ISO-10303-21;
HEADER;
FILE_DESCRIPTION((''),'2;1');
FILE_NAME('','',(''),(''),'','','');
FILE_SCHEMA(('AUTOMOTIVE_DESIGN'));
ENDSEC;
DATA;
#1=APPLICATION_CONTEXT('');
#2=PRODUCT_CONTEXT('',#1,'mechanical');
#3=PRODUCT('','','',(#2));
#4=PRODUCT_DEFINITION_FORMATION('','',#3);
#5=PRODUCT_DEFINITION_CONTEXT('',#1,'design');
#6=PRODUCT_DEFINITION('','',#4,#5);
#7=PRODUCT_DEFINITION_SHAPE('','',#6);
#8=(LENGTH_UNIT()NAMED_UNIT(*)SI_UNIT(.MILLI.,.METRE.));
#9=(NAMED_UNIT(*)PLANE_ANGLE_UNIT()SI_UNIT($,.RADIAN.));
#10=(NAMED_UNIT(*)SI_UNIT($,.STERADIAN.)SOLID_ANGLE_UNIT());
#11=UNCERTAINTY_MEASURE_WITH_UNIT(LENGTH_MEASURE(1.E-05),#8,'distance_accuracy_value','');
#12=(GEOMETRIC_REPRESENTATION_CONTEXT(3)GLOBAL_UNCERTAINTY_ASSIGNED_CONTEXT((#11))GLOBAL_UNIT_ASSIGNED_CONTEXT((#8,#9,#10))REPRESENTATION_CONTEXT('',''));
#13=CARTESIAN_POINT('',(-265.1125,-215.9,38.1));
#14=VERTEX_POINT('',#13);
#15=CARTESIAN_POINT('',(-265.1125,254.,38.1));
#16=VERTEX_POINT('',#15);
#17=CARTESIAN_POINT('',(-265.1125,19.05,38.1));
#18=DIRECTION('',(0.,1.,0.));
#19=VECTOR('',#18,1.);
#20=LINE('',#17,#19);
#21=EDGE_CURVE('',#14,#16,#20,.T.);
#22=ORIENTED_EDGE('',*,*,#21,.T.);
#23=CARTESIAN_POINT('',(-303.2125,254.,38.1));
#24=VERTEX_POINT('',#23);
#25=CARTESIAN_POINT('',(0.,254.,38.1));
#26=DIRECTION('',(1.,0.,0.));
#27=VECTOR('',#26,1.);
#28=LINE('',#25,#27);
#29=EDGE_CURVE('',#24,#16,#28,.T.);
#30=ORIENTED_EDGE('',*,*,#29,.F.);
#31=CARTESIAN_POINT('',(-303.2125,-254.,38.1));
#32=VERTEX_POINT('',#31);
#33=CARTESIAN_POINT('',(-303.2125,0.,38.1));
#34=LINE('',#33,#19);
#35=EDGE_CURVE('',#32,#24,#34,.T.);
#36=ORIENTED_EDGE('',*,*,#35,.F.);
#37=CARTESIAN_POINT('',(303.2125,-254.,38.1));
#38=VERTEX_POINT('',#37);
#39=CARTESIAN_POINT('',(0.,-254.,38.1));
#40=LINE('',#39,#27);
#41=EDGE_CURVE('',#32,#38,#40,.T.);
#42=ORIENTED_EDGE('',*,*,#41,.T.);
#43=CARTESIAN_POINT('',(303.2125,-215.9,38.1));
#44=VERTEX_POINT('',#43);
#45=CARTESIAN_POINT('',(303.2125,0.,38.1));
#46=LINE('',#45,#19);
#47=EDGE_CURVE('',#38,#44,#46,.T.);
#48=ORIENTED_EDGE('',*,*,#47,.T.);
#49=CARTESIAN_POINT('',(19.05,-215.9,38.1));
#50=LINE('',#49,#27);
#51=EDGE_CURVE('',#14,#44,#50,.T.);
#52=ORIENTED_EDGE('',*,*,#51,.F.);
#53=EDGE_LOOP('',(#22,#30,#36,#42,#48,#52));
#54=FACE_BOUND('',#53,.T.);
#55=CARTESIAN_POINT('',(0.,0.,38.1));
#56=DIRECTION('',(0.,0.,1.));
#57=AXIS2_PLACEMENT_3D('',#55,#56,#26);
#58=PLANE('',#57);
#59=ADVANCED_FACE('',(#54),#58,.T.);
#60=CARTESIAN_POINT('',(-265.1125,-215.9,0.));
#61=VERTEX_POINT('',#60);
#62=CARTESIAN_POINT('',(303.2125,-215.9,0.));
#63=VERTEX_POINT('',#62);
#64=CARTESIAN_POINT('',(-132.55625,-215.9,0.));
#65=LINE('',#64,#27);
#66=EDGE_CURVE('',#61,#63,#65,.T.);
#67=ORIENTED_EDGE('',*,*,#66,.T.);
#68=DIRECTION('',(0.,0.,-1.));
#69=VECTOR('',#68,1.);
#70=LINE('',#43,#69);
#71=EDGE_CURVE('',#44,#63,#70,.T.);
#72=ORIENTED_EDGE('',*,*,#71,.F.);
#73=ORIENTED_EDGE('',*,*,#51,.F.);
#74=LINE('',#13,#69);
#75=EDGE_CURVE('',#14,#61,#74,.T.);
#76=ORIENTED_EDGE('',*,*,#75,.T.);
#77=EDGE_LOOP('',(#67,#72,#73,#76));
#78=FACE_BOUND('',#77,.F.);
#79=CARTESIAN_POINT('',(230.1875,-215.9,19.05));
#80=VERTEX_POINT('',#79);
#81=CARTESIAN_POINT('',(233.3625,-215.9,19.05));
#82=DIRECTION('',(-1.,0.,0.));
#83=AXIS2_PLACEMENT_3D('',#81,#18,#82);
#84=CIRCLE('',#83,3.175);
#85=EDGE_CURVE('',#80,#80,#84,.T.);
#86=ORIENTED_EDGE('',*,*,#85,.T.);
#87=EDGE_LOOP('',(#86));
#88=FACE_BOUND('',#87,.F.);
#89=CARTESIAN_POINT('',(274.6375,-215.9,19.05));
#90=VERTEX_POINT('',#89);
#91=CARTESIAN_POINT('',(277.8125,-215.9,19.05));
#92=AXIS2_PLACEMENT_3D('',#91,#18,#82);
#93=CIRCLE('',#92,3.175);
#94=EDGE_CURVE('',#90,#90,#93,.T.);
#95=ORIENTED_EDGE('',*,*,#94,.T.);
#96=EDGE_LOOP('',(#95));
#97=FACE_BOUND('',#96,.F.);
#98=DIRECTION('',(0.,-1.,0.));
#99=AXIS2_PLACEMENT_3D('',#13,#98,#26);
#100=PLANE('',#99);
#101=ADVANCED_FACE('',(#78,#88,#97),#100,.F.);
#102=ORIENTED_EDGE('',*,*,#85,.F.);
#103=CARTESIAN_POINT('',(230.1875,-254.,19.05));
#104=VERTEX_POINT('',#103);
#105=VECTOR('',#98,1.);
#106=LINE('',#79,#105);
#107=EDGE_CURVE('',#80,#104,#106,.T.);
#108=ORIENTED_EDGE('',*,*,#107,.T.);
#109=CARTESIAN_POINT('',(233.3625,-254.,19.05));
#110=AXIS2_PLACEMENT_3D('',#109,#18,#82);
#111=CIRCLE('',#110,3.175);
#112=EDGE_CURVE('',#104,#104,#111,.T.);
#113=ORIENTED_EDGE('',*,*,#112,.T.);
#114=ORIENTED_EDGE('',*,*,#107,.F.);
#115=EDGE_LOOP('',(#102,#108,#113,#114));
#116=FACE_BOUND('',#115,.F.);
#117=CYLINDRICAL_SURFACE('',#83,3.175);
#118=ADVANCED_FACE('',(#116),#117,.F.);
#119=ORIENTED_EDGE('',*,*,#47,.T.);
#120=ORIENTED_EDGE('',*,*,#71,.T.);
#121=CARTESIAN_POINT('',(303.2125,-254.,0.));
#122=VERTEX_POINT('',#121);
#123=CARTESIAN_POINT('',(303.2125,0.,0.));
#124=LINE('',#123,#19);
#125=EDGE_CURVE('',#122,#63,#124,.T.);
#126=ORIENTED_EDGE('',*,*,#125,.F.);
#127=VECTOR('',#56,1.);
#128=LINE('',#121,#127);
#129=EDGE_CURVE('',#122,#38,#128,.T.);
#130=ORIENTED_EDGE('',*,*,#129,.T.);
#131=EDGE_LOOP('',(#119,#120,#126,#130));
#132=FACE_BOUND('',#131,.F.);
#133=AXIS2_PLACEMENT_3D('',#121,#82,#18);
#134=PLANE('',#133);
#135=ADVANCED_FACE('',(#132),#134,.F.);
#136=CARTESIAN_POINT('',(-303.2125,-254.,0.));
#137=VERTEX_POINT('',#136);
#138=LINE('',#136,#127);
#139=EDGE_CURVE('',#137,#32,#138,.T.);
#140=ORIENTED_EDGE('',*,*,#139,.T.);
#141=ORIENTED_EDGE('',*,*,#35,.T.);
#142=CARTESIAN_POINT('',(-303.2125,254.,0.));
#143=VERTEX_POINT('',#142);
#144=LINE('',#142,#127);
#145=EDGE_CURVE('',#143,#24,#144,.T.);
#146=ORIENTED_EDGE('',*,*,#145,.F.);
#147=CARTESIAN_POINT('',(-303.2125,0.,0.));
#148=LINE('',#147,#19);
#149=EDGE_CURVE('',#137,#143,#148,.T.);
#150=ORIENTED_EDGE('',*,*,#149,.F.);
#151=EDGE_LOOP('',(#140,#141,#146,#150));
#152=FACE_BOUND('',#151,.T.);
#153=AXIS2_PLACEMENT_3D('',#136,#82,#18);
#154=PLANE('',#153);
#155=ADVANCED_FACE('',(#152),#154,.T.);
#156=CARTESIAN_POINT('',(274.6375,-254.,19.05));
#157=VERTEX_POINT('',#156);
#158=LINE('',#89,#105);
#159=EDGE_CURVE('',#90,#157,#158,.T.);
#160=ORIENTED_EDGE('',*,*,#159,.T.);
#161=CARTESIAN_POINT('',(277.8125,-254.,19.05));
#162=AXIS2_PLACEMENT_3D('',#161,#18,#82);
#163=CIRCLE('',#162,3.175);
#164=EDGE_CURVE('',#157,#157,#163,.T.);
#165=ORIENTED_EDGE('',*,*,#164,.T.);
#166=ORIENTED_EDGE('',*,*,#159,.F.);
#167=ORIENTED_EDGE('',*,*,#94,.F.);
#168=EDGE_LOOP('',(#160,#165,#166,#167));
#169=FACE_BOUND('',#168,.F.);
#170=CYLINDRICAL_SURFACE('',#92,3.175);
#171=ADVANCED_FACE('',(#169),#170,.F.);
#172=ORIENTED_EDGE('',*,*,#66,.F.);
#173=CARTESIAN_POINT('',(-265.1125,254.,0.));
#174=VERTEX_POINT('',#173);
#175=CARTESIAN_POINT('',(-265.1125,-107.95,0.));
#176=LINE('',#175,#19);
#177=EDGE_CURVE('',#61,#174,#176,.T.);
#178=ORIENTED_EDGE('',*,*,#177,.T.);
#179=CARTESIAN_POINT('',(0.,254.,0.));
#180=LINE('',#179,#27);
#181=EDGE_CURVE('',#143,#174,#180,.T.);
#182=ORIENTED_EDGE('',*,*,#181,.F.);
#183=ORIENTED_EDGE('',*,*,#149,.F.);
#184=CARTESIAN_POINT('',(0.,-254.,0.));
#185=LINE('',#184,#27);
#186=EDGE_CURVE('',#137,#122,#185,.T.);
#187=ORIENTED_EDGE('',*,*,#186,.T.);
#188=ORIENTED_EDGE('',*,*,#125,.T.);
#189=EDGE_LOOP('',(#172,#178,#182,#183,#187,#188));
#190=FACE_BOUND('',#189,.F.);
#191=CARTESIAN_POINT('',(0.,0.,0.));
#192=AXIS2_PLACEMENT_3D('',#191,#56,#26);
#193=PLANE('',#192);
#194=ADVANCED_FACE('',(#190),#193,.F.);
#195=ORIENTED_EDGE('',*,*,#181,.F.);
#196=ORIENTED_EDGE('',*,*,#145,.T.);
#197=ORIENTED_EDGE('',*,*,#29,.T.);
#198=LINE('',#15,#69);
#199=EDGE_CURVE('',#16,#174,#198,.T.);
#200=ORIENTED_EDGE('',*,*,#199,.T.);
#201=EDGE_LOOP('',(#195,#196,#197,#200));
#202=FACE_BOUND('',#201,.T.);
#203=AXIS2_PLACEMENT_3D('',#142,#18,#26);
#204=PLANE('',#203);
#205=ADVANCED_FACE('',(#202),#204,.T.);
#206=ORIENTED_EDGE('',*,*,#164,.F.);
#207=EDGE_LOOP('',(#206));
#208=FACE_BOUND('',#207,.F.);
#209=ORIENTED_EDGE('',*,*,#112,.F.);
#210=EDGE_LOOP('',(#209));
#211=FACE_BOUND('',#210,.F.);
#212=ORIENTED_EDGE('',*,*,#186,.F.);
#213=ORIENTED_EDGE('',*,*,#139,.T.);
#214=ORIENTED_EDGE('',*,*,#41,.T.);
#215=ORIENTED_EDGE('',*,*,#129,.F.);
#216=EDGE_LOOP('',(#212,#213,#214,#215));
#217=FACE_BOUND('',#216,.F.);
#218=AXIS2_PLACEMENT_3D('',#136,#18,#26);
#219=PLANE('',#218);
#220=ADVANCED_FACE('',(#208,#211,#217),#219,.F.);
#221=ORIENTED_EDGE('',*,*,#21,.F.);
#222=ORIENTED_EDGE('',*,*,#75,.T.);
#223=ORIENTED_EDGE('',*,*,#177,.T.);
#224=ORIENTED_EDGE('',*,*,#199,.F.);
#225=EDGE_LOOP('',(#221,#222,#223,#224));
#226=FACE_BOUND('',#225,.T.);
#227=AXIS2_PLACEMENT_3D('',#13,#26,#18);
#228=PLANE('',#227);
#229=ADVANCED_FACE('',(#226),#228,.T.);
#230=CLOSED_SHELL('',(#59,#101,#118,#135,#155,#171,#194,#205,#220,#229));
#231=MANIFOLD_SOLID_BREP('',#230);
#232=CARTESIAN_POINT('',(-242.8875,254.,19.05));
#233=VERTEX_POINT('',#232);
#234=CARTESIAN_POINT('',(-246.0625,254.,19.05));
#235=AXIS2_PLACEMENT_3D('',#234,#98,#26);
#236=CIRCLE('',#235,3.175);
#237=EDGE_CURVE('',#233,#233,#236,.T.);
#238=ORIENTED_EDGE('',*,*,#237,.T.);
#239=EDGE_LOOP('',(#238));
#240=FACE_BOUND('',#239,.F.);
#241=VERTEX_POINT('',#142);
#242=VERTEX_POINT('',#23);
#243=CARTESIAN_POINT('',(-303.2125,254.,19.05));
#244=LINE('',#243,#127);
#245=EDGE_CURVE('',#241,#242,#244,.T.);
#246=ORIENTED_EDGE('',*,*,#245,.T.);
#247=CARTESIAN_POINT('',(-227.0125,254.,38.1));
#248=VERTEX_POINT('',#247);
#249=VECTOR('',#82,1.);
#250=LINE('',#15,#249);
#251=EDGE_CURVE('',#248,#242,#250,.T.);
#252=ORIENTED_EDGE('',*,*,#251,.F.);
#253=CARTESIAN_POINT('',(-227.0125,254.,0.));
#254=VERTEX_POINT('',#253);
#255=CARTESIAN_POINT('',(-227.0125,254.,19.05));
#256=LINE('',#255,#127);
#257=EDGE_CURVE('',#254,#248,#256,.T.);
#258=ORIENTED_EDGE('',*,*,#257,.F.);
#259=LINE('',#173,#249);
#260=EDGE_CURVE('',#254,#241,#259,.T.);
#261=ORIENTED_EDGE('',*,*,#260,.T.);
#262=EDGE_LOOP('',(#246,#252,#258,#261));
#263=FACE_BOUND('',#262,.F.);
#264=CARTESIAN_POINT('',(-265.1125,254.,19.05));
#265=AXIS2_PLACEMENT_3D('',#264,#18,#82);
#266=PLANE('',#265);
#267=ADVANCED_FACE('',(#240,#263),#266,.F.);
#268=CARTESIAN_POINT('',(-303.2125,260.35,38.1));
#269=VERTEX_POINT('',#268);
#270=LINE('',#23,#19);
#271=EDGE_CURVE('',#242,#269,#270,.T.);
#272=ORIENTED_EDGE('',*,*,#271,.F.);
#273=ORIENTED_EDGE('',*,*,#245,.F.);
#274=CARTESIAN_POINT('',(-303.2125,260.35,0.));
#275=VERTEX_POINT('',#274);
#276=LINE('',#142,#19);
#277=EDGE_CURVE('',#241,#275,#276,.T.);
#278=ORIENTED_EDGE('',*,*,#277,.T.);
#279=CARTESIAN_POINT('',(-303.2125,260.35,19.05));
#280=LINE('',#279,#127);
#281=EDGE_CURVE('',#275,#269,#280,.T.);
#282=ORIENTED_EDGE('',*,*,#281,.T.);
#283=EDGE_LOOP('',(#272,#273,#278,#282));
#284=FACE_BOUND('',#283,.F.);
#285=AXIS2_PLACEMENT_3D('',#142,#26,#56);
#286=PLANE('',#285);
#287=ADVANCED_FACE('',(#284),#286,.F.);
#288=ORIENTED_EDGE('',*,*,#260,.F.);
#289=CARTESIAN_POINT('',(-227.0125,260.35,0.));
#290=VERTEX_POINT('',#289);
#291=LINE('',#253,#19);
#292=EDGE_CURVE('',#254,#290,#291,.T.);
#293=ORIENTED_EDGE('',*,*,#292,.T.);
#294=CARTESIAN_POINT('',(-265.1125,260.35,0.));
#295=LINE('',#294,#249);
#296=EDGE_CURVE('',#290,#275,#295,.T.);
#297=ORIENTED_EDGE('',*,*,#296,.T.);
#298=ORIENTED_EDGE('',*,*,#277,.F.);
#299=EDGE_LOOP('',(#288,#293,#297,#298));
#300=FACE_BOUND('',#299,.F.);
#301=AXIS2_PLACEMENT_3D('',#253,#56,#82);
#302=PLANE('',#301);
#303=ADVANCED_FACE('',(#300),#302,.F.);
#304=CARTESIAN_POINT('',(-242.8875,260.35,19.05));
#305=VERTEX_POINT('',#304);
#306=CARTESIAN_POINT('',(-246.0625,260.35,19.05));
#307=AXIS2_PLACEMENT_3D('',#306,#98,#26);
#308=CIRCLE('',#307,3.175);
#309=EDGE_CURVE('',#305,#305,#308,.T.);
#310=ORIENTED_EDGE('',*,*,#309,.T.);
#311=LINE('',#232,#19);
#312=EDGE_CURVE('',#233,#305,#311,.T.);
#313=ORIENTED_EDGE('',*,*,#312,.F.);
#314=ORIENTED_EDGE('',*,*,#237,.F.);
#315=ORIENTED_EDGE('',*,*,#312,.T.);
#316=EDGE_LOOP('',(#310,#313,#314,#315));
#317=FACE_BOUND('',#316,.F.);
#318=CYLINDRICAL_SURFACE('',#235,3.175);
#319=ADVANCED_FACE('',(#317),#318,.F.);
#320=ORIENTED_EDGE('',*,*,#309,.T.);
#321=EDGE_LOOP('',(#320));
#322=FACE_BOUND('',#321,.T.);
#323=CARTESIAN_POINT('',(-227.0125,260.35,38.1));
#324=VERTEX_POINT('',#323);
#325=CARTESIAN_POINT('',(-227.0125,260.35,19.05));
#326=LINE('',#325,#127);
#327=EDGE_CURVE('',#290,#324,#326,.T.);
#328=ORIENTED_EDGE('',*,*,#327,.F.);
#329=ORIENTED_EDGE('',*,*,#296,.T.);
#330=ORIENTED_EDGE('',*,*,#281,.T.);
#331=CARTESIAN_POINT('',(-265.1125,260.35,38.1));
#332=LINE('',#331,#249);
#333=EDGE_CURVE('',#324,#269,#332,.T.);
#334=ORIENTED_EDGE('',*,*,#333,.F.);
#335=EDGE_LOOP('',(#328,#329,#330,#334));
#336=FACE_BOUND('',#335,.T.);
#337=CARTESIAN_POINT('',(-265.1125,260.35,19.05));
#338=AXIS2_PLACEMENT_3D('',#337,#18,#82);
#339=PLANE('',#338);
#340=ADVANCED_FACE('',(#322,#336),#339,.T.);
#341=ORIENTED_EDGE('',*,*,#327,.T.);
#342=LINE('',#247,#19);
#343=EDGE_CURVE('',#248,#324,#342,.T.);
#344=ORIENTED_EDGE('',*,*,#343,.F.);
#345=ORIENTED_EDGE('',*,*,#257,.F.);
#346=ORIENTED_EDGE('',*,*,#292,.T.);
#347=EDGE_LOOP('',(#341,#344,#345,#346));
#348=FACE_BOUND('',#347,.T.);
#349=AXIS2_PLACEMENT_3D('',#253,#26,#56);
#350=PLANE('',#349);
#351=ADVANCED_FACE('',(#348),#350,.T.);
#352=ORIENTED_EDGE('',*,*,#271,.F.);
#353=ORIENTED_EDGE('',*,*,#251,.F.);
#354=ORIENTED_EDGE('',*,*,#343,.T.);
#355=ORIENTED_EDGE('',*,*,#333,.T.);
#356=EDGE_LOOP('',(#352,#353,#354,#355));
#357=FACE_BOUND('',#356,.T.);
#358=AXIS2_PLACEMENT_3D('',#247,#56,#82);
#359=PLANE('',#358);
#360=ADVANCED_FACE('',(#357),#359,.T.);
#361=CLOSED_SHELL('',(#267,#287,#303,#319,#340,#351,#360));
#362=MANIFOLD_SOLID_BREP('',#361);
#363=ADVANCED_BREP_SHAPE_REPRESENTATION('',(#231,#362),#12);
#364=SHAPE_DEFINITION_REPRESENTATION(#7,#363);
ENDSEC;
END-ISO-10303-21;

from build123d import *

# Parameters (mm, degrees)
F0_W     = 606.425
F0_H     = 508
F1_DEPTH = 38.1
F2_W     = 568.325
F2_H     = 469.9
F3_DEPTH = 38.101
F4_R     = 3.175
F5_DEPTH = 38.101
F6_W     = 76.2
F6_H     = 38.1
F7_DEPTH = 6.35
F8_R     = 3.175
F9_DEPTH = 6.351


with BuildPart() as f1:
    # F0 (on Top) → F1 (new body)
    with BuildSketch(Plane.XY):
        Rectangle(F0_W, F0_H)
    extrude(amount=F1_DEPTH)

    # F2 (on face) → F3 (cut, through all)
    with BuildSketch(Plane.XY.offset(38.1)):
        with Locations((19.05, 19.05)):
            Rectangle(F2_W, F2_H)
    extrude(amount=-F3_DEPTH, mode=Mode.SUBTRACT)

    # F4 (on face) → F5 (cut, through all)
    with BuildSketch(Plane(origin=(0, -215.9, 0), x_dir=(-1, 0, 0), z_dir=(0, 1, 0))):
        with Locations((-277.8125, 19.05)):
            Circle(F4_R)
        with Locations((-233.3625, 19.05)):
            Circle(F4_R)
    extrude(amount=-F5_DEPTH, mode=Mode.SUBTRACT)


with BuildPart() as f7:
    # F6 (on face) → F7 (new body)
    with BuildSketch(Plane(origin=(0, 254, 0), x_dir=(-1, 0, 0), z_dir=(0, 1, 0))):
        with Locations((265.1125, 19.05)):
            Rectangle(F6_W, F6_H)
    extrude(amount=F7_DEPTH)

    # F8 (on face) → F9 (cut, through all)
    with BuildSketch(Plane.XZ.offset(-254)):
        with Locations((-246.0625, 19.05)):
            Circle(F8_R)
    extrude(amount=-F9_DEPTH, mode=Mode.SUBTRACT)


solid = Compound([f1.part, f7.part])
